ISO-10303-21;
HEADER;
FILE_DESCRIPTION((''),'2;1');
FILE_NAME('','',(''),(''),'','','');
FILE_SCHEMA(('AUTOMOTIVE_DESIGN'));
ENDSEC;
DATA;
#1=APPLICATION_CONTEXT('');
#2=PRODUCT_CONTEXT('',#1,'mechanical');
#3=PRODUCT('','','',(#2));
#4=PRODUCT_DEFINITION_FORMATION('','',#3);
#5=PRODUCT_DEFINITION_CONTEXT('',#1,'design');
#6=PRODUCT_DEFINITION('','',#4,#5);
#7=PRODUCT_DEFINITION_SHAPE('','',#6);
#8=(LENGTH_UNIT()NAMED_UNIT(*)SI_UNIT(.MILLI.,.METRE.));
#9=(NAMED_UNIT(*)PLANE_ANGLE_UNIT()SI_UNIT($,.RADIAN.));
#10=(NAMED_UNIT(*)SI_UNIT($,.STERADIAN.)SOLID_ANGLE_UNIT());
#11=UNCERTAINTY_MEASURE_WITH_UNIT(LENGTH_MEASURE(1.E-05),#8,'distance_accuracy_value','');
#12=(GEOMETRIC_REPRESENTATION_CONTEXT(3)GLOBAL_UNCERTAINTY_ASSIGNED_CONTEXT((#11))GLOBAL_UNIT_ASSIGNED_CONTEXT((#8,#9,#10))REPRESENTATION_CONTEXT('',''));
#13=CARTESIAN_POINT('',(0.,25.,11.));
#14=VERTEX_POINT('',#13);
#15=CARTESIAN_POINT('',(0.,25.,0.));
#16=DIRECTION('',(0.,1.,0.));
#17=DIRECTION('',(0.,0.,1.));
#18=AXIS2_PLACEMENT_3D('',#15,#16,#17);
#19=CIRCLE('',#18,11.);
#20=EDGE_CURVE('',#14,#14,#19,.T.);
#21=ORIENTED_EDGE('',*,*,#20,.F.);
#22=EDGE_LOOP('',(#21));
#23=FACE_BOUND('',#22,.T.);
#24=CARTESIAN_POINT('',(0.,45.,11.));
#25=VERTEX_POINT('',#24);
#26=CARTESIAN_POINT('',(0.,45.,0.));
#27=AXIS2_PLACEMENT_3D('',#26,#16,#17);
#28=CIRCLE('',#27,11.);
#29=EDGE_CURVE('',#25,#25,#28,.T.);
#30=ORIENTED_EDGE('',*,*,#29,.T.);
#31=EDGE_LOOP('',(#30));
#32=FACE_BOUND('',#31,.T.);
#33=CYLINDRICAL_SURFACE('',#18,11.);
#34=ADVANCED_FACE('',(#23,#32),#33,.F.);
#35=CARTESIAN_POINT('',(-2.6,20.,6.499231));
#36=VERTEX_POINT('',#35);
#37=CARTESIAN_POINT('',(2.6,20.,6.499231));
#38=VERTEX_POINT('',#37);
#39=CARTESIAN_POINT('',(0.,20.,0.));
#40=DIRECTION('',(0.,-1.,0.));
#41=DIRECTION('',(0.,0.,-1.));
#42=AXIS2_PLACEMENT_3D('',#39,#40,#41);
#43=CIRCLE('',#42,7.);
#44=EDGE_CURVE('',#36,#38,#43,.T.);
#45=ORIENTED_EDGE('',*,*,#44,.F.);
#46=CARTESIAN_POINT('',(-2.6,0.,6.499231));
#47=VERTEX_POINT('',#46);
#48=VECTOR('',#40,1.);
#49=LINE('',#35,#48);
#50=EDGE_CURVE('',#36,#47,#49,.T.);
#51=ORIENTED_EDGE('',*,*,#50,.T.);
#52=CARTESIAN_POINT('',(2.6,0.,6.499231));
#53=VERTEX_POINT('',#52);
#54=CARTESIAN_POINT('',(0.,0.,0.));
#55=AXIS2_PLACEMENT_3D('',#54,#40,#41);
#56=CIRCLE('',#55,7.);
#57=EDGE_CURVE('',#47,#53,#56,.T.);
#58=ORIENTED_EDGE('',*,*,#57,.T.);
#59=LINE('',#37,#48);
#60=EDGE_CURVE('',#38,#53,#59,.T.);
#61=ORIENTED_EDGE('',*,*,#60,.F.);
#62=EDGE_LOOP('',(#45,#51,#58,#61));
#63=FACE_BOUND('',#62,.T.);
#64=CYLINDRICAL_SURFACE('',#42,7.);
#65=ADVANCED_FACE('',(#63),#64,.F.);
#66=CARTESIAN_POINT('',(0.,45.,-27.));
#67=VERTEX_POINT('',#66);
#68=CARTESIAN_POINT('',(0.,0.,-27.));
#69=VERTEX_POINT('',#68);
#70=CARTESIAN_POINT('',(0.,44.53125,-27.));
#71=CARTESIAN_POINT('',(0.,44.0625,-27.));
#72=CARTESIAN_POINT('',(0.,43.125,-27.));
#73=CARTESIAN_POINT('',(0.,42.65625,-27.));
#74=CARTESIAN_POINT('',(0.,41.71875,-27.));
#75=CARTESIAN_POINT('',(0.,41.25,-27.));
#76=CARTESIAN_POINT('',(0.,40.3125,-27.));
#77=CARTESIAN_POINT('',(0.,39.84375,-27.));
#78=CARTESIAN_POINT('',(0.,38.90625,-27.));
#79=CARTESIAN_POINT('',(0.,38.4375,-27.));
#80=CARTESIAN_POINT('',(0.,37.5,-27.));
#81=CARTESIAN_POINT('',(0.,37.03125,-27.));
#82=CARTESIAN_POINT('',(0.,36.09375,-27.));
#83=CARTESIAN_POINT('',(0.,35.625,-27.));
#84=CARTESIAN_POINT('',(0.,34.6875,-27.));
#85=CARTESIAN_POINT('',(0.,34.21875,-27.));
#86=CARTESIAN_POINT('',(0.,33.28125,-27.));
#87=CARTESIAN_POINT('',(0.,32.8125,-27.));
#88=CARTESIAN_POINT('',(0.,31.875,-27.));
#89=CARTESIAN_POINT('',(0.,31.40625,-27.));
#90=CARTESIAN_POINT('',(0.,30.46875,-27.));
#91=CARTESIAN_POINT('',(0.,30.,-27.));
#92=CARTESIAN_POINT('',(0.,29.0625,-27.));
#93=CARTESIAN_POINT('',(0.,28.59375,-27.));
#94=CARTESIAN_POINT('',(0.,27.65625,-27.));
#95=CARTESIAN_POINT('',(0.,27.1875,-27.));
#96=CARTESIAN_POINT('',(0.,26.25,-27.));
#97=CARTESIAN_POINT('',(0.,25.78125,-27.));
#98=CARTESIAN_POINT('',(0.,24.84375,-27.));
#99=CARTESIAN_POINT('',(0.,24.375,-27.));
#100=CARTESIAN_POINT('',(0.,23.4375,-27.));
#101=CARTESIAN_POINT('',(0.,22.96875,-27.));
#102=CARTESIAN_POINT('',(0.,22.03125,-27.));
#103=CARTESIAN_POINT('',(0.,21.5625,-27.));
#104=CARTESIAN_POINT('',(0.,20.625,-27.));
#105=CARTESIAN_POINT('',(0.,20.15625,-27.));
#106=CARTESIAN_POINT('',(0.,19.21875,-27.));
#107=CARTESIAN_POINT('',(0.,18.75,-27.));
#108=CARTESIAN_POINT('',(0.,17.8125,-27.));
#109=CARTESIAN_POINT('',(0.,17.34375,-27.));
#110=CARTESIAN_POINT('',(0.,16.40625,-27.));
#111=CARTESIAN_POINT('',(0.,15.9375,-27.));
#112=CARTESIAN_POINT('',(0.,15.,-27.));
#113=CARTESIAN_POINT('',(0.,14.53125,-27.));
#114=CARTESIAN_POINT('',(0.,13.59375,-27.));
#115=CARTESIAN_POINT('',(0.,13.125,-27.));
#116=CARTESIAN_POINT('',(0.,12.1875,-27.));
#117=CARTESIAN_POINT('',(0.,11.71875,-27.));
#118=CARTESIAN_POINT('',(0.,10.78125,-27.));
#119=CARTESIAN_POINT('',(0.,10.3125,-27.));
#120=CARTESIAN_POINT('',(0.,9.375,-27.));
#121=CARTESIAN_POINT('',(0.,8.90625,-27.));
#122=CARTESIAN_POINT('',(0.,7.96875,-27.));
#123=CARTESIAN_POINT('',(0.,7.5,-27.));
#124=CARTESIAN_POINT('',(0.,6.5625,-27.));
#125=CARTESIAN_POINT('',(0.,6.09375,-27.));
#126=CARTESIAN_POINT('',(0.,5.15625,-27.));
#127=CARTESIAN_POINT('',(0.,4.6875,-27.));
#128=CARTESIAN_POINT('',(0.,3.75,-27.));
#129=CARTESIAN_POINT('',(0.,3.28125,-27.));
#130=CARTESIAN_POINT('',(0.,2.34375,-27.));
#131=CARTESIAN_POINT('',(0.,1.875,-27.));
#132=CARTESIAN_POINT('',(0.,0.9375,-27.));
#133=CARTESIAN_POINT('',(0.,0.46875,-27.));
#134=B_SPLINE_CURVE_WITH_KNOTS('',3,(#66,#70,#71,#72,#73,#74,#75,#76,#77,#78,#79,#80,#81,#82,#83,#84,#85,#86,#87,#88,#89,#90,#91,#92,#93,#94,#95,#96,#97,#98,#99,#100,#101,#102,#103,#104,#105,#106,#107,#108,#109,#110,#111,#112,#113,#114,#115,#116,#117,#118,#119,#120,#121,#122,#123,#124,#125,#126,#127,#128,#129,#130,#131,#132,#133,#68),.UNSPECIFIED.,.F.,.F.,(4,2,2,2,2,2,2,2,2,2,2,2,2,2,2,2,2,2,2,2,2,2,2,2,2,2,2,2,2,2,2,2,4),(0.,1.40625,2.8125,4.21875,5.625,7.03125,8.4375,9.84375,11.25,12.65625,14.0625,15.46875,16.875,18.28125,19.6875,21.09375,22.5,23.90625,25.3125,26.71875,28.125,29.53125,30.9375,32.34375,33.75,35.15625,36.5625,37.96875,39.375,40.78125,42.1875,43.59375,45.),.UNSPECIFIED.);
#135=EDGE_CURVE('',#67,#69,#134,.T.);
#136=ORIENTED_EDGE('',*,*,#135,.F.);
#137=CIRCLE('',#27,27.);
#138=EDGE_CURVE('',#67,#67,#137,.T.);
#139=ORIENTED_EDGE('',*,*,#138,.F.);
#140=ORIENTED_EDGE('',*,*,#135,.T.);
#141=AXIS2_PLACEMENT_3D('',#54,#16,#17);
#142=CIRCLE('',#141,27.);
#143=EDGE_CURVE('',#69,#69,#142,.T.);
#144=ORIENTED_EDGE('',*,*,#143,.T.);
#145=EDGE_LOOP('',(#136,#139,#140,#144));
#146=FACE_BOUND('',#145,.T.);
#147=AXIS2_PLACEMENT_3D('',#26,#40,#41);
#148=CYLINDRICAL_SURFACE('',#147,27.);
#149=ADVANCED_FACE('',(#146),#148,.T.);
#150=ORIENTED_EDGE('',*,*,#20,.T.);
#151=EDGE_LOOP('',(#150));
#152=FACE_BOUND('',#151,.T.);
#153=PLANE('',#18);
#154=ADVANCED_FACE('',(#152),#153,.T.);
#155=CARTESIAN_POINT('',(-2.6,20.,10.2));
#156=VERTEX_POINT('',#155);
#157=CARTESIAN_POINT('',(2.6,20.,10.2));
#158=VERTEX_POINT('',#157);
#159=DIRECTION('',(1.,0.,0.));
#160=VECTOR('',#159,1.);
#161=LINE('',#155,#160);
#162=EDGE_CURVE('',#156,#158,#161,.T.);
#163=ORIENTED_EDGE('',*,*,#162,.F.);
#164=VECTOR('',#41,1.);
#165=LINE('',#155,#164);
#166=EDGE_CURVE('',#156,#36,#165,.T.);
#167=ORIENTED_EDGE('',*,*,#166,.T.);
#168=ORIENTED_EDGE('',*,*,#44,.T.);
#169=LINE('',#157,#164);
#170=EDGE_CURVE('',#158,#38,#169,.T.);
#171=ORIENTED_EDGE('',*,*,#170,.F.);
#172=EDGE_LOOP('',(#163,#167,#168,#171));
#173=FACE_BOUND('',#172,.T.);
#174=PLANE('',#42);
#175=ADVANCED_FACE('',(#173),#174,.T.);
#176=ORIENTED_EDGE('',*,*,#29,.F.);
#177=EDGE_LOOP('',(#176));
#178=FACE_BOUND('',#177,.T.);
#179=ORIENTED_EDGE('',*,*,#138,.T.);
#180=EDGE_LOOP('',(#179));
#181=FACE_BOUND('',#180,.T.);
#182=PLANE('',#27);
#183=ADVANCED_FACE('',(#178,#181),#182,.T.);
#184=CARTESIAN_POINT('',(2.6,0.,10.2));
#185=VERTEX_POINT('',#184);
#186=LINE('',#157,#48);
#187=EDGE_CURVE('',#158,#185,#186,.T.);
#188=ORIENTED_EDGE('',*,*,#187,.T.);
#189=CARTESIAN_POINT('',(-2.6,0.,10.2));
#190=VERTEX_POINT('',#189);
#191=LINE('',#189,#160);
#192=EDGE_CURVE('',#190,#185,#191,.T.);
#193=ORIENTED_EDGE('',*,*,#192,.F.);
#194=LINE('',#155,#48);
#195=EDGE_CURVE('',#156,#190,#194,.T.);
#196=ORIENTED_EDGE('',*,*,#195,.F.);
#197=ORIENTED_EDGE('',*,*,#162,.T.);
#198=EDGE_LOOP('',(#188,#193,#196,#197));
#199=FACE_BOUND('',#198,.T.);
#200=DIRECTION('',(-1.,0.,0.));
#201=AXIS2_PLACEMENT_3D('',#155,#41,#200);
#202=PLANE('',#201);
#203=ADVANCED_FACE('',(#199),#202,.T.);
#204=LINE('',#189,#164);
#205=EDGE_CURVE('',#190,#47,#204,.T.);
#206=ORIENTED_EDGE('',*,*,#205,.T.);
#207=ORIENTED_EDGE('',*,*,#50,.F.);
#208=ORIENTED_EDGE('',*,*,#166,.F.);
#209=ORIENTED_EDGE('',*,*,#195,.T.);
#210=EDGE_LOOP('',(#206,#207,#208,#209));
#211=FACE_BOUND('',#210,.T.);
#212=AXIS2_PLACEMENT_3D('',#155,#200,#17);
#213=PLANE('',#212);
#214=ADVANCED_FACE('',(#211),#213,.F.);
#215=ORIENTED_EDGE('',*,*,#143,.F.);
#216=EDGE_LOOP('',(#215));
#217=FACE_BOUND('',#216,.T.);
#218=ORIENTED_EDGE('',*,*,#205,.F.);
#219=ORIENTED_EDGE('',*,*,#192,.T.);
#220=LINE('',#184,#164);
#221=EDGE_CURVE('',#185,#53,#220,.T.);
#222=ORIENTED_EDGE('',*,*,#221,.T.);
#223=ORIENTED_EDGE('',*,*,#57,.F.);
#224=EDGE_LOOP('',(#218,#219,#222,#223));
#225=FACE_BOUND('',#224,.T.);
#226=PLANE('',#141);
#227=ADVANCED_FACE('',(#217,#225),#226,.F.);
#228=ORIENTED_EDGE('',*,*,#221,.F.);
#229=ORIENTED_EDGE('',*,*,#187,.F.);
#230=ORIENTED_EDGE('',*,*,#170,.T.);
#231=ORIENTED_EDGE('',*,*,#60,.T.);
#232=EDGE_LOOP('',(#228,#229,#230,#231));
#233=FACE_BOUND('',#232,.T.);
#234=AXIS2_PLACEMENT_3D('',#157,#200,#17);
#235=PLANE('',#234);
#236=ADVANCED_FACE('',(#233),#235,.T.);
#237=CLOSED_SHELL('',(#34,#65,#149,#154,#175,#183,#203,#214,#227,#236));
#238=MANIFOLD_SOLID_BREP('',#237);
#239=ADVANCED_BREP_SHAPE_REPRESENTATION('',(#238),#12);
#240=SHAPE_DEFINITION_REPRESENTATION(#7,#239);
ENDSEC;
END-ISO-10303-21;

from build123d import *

# Parameters (mm, degrees)
SKETCH_1_R          = 27
EXTRUDE_1_DEPTH     = 45
SKETCH_2_R          = 11
CUT_EXTRUDE_1_DEPTH = 20
CUT_EXTRUDE_2_DEPTH = 20


with BuildPart() as part:
    # 草图1 → 凸台-拉伸1 (new body)
    with BuildSketch(Plane(origin=(0, 0, 0), x_dir=(1, 0, 0), z_dir=(0, 1, 0))):
        with Locations(Location((0, 0, 0), (0, 0, 90))):
            Circle(SKETCH_1_R)
    extrude(amount=EXTRUDE_1_DEPTH)

    # 草图2 → 切除-拉伸1 (cut)
    with BuildSketch(Plane(origin=(0, 45, 0), x_dir=(1, 0, 0), z_dir=(0, 1, 0))):
        with Locations(Location((0, 0, 0), (0, 0, 270))):
            Circle(SKETCH_2_R)
    extrude(amount=-CUT_EXTRUDE_1_DEPTH, mode=Mode.SUBTRACT)

    # 草图3 → 切除-拉伸2 (cut)
    with BuildSketch(Plane.XZ):
        with BuildLine():
            Line((-2.6, 10.2), (2.6, 10.2))
            Line((2.6, 10.2), (2.6, 6.499230724))
            ThreePointArc((2.6, 6.499230724), (0, -7), (-2.6, 6.499230724))
            Line((-2.6, 6.499230724), (-2.6, 10.2))
        make_face()
    extrude(amount=-CUT_EXTRUDE_2_DEPTH, mode=Mode.SUBTRACT)


solid = part.part
